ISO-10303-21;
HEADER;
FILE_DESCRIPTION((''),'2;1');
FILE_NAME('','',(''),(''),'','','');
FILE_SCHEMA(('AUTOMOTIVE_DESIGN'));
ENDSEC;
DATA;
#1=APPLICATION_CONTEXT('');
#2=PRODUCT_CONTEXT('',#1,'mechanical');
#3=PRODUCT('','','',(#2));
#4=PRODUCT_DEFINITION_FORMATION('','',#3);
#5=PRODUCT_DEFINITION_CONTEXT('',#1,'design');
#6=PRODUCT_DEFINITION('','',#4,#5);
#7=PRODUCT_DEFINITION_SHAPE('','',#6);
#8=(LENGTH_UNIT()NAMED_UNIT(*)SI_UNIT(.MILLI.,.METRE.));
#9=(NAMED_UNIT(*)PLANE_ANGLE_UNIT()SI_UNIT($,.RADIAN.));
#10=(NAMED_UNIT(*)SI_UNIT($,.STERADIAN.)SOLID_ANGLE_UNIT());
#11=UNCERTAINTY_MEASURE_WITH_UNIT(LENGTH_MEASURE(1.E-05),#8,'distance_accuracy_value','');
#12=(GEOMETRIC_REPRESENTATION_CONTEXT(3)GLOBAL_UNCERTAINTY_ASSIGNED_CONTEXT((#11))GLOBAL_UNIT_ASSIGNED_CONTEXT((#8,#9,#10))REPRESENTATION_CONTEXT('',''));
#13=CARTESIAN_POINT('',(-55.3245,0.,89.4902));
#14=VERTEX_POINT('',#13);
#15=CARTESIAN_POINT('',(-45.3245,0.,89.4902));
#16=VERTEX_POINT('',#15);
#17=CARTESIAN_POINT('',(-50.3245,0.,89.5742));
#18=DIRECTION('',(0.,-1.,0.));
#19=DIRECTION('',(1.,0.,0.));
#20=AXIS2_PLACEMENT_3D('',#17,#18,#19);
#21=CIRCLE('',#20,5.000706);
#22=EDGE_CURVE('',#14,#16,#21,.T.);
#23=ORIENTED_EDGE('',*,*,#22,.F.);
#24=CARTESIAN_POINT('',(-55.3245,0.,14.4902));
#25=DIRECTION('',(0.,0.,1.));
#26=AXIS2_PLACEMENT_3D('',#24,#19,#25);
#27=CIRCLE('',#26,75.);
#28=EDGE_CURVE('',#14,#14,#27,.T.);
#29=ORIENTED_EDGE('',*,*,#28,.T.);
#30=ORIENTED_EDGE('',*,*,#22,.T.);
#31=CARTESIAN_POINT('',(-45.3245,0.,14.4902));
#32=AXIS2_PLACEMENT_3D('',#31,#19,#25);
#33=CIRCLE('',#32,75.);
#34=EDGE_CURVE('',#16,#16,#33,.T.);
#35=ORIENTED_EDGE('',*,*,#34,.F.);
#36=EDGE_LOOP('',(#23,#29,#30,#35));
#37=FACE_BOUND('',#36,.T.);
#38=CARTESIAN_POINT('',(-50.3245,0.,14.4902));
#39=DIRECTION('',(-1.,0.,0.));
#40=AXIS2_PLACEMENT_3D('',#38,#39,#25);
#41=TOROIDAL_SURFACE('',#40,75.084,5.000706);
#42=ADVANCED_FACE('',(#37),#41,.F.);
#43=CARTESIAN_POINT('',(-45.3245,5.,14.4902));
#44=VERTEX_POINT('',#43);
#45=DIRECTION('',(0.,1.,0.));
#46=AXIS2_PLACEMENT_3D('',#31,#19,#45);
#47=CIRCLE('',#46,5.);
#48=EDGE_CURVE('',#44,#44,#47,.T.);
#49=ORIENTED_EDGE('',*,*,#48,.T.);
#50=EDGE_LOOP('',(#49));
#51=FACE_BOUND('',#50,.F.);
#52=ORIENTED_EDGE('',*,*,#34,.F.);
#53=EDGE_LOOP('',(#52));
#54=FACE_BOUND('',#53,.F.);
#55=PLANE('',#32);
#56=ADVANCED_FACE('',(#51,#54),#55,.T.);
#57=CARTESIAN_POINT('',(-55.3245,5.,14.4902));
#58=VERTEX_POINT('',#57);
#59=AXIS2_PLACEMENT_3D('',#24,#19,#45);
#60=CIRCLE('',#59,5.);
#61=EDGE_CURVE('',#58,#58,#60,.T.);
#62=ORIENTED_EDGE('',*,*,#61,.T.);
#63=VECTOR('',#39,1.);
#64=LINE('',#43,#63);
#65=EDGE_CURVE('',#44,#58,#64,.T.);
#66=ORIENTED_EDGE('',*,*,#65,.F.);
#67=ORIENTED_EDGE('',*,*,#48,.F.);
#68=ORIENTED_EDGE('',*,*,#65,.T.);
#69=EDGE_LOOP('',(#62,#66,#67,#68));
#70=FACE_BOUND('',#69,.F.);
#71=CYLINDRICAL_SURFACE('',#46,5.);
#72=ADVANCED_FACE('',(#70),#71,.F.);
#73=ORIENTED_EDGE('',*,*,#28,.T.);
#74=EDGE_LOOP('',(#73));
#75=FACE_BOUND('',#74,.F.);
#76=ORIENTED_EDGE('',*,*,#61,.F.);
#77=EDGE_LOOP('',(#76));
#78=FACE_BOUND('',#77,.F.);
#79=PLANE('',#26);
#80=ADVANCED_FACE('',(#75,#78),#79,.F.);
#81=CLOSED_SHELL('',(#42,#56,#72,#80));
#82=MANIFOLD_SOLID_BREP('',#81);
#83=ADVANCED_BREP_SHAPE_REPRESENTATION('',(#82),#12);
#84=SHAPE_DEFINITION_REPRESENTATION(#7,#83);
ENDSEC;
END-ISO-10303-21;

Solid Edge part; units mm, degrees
sketch "Sketch1" plane through (0, 0, 0) normal (0, -1, 0) x (1, 0, 0)
  line L0 (-45.3245, 14.4902) -> (-45.3245, 89.4902)
  arc A0 (-55.3245, 89.4902) -> (-45.3245, 89.4902) centre (-50.3245, 89.5742) ccw
  line L1 (-55.3245, 89.4902) -> (-55.3245, 14.4902)
revolve "RevolvedProtrusion1" add sketch "Sketch1" angle 360 about axis through (-55.3245, 0, 14.4902) along (1, 0, 0)
sketch "Sketch2" plane through (-45.3245, 0, 14.4902) normal (1, 0, 0) x (0, 1, 0)
  circle A0 centre (0, 0) radius 5
extrude "Cutout1" cut sketch "Sketch2" against normal through all
